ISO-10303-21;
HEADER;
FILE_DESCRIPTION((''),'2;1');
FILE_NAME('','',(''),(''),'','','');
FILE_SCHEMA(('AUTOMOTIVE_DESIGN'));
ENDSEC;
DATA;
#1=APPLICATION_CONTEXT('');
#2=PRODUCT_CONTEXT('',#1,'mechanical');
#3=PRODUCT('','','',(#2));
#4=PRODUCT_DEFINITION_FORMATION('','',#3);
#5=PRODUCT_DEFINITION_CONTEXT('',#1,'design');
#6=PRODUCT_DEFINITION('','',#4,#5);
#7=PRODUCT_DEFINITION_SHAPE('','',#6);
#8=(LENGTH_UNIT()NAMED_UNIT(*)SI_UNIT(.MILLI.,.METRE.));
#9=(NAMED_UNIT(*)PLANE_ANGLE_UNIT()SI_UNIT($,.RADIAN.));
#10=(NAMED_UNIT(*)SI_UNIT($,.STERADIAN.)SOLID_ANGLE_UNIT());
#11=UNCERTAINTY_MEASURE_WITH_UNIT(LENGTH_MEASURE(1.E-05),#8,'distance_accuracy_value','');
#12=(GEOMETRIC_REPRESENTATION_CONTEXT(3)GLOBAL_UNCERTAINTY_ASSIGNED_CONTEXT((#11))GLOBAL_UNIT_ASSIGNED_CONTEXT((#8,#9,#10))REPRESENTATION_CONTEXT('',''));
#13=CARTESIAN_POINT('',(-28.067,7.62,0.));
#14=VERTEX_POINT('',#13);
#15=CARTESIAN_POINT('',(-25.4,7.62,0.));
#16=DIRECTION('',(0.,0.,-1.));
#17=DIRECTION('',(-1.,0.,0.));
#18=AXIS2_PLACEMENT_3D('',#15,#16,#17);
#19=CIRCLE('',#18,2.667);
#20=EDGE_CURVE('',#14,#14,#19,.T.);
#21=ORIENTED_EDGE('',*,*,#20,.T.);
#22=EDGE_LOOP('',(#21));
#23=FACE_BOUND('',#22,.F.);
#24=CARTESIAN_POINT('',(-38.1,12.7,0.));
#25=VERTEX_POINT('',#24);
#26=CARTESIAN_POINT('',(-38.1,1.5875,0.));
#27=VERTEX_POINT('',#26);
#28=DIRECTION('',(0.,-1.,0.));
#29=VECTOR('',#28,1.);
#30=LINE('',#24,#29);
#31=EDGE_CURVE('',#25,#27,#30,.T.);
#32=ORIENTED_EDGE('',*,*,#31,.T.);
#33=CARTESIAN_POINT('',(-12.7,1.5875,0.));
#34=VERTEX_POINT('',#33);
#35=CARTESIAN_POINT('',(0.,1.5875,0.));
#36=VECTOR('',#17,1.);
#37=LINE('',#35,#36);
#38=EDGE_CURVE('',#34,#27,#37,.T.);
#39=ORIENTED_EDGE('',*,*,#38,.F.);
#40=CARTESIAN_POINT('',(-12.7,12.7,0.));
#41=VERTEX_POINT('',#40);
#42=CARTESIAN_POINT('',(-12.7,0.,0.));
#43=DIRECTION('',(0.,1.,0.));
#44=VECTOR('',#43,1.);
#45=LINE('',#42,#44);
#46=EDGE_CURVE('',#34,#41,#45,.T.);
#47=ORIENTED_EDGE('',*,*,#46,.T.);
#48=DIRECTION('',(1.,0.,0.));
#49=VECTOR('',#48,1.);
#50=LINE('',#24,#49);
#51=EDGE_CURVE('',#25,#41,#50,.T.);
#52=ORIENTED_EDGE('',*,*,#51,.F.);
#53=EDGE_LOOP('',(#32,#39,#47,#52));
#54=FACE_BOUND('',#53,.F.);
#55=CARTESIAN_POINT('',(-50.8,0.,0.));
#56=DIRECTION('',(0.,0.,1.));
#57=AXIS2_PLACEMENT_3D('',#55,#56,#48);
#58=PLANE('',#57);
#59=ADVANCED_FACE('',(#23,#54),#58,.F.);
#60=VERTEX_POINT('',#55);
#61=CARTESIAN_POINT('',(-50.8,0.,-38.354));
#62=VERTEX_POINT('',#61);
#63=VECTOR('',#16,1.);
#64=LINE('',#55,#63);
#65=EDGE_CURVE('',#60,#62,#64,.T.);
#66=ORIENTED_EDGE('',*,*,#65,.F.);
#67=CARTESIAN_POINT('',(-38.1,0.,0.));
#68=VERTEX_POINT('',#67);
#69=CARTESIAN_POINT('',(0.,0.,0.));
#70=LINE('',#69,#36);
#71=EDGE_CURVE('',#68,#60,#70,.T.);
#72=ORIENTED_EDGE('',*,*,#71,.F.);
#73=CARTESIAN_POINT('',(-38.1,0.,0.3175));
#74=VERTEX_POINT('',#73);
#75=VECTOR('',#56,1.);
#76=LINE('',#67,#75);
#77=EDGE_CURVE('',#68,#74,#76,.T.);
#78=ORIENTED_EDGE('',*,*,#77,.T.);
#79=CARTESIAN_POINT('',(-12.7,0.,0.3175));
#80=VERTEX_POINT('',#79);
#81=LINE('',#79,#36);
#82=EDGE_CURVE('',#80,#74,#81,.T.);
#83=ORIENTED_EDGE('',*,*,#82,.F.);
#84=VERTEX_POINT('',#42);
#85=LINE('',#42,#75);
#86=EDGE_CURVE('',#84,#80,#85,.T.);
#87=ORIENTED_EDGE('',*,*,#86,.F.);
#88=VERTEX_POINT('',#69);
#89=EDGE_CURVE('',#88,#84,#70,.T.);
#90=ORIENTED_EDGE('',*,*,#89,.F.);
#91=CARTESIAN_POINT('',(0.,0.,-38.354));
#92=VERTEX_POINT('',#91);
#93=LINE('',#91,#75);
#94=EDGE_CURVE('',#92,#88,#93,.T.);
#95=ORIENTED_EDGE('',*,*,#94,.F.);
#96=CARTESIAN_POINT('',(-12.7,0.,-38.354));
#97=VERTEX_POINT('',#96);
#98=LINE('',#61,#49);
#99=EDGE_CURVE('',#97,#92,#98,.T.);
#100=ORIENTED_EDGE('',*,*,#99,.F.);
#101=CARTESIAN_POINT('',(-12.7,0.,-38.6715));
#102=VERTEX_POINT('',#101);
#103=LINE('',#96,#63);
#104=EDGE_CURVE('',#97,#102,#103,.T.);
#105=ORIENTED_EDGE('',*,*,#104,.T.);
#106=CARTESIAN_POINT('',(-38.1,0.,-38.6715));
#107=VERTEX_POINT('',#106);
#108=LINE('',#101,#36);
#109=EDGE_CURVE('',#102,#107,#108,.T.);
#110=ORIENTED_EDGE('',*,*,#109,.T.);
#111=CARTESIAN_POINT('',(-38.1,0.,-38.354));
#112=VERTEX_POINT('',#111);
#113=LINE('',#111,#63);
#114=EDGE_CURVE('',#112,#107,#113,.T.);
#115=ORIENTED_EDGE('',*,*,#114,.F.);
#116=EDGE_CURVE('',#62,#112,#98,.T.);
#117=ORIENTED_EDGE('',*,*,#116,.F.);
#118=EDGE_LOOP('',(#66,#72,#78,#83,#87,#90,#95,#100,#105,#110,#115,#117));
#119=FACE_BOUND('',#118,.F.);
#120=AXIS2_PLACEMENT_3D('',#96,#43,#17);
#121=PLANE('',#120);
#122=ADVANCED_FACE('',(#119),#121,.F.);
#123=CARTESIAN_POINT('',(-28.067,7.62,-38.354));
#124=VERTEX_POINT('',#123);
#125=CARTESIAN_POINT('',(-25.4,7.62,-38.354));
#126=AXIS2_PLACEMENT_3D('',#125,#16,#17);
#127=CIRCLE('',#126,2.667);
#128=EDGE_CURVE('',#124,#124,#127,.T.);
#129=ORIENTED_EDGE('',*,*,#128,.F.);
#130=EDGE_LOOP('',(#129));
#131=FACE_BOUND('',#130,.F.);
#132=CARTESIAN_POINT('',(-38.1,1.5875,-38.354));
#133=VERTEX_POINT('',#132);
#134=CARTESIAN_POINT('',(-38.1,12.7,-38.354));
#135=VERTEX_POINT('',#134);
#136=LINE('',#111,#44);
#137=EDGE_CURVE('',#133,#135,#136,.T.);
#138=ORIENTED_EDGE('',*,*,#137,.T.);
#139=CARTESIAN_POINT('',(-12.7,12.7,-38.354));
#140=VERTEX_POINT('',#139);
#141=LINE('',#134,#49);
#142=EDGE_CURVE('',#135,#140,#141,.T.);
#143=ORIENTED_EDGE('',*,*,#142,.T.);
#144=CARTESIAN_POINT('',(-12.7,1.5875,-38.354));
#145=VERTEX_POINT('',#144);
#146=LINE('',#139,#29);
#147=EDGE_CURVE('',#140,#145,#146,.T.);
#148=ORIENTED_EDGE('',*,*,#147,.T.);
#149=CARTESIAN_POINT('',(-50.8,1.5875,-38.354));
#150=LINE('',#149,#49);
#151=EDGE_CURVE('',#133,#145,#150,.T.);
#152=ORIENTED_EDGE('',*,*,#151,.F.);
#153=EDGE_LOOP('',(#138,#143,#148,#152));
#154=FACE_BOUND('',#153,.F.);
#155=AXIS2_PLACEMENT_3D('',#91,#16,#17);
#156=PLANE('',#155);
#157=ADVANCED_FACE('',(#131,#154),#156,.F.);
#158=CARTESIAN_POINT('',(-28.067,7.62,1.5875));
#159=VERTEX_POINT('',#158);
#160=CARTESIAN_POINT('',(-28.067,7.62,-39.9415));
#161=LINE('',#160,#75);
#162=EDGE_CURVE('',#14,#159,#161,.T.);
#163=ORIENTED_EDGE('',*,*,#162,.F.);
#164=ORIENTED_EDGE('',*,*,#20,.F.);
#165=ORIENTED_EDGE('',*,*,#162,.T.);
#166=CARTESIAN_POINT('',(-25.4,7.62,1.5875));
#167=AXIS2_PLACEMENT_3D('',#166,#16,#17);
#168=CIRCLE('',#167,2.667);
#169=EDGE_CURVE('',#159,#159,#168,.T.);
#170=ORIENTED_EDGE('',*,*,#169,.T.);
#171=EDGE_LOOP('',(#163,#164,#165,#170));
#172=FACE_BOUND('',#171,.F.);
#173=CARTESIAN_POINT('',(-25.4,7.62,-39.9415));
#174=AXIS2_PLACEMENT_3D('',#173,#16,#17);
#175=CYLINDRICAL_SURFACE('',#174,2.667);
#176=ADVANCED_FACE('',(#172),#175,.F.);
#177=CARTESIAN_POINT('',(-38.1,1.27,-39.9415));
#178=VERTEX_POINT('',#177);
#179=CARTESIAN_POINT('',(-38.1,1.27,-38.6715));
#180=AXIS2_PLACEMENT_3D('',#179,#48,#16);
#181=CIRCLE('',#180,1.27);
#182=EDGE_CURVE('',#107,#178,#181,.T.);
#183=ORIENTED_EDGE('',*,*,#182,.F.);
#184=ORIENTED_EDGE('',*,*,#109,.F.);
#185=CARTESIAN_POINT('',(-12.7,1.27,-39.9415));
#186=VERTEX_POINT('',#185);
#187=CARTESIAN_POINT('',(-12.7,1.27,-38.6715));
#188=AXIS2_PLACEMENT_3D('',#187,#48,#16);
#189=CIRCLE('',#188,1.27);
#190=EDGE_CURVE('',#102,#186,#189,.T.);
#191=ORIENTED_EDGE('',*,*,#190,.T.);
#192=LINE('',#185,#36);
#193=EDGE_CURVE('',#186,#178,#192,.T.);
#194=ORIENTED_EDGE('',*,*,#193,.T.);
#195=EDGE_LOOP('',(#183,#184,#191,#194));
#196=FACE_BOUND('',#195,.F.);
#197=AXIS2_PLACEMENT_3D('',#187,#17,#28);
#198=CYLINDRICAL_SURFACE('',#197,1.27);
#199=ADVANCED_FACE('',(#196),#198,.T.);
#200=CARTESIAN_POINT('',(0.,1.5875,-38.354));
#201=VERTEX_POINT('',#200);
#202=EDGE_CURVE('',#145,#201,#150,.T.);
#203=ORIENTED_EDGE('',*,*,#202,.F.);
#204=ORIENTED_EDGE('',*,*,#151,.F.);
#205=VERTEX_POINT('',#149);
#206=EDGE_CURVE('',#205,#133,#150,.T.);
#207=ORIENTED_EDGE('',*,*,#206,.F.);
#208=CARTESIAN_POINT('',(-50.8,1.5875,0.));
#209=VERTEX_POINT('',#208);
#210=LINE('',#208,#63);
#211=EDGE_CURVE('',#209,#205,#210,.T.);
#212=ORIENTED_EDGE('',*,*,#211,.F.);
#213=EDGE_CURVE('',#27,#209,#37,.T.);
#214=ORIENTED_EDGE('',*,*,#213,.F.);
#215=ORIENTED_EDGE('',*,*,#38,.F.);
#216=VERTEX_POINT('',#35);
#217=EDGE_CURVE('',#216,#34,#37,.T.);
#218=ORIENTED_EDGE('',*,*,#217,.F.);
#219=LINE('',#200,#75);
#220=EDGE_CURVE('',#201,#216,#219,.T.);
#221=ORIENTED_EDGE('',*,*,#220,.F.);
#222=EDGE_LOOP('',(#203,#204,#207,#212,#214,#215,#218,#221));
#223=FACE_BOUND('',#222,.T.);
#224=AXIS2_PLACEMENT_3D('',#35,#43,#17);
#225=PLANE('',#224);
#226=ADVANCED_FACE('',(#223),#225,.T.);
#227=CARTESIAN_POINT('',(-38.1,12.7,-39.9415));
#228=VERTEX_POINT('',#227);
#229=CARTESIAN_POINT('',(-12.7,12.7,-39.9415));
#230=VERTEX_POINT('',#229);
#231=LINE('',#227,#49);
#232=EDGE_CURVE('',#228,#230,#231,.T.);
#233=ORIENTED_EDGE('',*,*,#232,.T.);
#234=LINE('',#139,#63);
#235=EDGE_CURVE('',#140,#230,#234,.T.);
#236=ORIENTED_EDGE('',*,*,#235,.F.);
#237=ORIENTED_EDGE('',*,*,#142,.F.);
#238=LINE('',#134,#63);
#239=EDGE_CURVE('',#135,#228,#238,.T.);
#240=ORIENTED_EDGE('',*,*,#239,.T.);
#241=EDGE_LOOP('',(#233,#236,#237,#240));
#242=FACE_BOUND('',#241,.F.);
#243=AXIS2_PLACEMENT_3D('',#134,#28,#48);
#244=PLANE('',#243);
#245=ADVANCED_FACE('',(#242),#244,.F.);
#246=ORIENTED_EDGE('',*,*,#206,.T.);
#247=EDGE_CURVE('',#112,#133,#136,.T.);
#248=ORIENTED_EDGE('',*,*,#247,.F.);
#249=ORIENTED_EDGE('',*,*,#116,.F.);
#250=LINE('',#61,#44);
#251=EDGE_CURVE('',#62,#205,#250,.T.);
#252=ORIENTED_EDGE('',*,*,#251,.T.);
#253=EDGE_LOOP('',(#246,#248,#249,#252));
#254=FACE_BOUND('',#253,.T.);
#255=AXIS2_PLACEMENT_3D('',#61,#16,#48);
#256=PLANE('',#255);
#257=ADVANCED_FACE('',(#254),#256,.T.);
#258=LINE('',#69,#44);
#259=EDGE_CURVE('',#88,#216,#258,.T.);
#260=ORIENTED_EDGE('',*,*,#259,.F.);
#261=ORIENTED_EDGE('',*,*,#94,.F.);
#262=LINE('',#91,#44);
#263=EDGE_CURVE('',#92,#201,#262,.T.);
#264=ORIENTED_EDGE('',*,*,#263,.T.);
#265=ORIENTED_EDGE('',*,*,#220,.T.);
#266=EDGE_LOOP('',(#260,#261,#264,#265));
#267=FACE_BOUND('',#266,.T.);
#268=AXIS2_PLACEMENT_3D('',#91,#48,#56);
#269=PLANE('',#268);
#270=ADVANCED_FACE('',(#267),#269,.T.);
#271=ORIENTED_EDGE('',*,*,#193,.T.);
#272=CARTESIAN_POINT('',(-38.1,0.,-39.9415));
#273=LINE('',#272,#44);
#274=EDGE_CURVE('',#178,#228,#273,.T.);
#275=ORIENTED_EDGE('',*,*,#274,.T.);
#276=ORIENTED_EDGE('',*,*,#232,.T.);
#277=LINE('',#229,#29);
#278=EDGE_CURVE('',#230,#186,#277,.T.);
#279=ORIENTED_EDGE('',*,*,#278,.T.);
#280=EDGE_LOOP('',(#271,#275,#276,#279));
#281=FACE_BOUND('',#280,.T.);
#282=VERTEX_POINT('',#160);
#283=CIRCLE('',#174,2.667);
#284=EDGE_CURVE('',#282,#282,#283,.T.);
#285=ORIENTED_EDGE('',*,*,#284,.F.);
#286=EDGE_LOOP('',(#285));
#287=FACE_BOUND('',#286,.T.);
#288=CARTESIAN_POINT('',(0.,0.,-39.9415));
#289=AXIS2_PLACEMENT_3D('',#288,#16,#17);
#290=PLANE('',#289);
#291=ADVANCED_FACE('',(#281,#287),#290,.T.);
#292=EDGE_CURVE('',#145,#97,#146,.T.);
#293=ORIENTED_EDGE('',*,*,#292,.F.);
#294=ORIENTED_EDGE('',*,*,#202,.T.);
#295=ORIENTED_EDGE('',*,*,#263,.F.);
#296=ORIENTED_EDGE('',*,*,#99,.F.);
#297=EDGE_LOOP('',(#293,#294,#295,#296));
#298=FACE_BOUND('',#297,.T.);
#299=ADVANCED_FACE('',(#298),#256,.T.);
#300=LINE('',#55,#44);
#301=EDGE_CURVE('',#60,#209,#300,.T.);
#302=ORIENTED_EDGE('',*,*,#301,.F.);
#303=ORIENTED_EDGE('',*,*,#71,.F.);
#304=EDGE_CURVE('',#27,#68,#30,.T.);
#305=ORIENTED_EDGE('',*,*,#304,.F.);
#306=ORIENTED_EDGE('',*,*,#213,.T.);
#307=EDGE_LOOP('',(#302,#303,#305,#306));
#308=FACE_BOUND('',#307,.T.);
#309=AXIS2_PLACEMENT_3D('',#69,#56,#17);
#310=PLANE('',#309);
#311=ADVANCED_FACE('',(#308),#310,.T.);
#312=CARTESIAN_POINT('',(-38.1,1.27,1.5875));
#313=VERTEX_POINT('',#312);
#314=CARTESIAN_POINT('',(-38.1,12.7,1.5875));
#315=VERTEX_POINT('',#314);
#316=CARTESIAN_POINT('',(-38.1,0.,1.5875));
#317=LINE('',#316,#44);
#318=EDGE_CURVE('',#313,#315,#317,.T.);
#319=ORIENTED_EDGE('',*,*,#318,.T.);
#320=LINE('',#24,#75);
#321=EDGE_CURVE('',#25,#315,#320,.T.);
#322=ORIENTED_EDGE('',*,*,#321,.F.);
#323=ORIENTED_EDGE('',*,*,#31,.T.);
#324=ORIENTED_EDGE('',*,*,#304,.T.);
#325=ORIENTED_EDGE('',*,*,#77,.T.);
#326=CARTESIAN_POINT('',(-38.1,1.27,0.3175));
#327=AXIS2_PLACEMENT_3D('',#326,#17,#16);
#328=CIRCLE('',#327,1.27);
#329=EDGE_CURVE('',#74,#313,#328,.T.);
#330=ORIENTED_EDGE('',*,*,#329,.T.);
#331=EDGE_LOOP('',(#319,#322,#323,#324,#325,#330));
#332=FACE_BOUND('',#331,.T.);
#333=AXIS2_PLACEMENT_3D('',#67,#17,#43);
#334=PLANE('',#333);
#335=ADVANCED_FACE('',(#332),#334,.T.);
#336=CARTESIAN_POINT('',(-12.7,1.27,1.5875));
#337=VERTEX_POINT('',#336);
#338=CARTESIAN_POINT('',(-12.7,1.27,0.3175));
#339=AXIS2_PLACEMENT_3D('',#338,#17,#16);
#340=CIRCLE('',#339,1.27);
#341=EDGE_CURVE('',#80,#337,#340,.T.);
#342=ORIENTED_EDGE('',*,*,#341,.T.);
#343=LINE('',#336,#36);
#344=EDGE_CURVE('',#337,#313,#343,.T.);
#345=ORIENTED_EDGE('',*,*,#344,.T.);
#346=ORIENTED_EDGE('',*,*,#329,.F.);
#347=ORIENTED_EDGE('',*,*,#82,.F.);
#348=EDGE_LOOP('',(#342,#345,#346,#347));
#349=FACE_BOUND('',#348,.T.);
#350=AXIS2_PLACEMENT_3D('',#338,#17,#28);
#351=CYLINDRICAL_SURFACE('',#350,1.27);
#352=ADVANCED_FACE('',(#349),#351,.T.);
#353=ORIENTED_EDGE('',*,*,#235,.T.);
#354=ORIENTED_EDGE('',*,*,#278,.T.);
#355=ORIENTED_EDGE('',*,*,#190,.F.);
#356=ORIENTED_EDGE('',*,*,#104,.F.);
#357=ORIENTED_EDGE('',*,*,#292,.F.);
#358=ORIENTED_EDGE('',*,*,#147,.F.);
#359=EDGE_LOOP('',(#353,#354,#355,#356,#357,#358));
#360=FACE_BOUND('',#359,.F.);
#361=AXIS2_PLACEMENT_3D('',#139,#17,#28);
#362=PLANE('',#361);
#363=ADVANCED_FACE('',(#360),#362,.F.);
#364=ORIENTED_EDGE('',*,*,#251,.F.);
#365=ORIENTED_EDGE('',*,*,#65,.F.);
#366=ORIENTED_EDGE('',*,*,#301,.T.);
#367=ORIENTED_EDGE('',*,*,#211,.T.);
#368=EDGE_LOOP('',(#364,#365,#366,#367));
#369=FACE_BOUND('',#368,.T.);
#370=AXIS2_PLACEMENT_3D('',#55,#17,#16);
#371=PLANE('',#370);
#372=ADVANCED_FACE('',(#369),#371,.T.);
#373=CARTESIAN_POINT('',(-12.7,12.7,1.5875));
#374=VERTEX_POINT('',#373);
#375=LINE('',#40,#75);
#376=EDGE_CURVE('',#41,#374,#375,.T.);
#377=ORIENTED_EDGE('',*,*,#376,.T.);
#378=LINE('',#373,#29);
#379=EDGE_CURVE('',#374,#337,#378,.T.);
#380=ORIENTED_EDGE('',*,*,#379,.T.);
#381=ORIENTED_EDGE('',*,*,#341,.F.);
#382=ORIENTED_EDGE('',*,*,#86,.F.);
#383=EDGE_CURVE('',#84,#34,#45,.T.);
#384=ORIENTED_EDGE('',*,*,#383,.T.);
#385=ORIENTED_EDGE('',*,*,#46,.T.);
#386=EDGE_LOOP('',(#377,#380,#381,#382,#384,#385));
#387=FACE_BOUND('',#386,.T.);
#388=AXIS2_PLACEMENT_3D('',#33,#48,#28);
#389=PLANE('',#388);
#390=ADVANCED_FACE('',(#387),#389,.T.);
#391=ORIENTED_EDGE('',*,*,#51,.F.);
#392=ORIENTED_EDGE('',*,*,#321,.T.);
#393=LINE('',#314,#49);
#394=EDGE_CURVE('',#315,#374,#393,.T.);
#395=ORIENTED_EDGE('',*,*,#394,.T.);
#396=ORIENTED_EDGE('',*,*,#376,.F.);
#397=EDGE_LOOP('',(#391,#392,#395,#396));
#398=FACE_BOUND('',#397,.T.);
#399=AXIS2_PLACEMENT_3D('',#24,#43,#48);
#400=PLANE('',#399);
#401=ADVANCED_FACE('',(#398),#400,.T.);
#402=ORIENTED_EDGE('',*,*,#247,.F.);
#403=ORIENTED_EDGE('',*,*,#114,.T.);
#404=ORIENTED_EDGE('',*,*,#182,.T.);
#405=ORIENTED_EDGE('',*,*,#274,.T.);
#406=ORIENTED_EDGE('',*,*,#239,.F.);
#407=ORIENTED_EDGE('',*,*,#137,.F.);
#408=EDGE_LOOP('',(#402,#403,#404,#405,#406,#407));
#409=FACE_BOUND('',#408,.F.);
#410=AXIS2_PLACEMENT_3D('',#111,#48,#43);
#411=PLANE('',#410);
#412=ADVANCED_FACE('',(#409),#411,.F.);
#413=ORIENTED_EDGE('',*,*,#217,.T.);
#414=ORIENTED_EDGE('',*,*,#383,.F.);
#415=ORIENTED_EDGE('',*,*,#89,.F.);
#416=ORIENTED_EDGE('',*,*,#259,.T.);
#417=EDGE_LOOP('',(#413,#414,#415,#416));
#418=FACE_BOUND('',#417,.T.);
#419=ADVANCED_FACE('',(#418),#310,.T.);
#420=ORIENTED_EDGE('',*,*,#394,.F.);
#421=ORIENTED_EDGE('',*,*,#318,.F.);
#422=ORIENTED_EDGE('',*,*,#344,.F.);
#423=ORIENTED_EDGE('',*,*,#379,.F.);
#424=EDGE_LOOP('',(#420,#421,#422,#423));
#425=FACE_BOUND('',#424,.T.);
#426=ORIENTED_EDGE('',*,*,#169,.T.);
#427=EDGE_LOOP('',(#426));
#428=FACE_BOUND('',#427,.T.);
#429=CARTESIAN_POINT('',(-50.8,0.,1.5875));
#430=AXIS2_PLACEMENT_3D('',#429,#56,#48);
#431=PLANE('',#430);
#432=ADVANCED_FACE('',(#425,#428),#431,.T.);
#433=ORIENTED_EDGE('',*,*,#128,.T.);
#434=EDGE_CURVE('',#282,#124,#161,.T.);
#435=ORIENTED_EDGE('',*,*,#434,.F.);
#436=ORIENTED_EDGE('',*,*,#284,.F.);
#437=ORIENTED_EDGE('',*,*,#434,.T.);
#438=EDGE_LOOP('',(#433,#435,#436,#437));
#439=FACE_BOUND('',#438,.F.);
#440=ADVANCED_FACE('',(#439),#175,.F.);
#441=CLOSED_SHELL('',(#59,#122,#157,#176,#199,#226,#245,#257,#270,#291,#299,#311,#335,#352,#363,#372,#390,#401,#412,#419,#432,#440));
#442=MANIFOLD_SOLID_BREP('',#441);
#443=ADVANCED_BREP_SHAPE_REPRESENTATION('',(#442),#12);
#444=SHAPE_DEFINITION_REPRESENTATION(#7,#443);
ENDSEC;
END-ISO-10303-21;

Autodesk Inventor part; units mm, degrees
ref_plane "YZ Plane" through (0, 0, 0) normal (1, 0, 0) x (0, 1, 0)
ref_plane "XZ Plane" through (0, 0, 0) normal (0, 1, 0) x (-1, 0, 0)
ref_plane "XY Plane" through (0, 0, 0) normal (0, 0, 1) x (1, 0, 0)
sketch "Sketch1" plane through (0, 0, 0) normal (0, 1, 0) x (-1, 0, 0)
  line L0 (0, 0) -> (50.8, 0)
  line L1 (50.8, 0) -> (50.8, -38.354)
  line L2 (50.8, -38.354) -> (0, -38.354)
  line L3 (0, -38.354) -> (0, 0)
  dimension "d0" = 50.8
  dimension "d1" = 38.354
extrude "Extrusion1" add sketch "Sketch1" along normal blind 1.5875
sketch "Sketch2" plane through (-50.8, 0, 0) normal (0, 0, 1) x (1, 0, 0)
  line L0 (50.8, 0) -> (0, 0) projected
  line L1 (50.8, 0) -> (38.1, 0)
  line L2 (38.1, 0) -> (12.7, 0)
  line L3 (12.7, 0) -> (12.7, 12.7)
  line L4 (12.7, 12.7) -> (38.1, 12.7)
  line L5 (38.1, 12.7) -> (38.1, 0)
  line L6 (50.8, 1.5875) -> (0, 1.5875) projected
  dimension "d4" = 12.7
  dimension "d5" = 25.4
  dimension "d6" = 12.7
extrude "Extrusion2" add sketch "Sketch2" along normal blind 1.5875
sketch "Sketch3" plane through (0, 0, -38.354) normal (0, 0, -1) x (-1, 0, 0)
  line L0 (0, 0) -> (0, 1.5875) projected
  line L1 (12.7, 0) -> (0, 0) projected
  line L2 (0, 0) -> (12.7, 0)
  line L3 (12.7, 0) -> (38.1, 0)
  line L4 (38.1, 0) -> (38.1, 12.7)
  line L5 (38.1, 12.7) -> (12.7, 12.7)
  line L6 (12.7, 12.7) -> (12.7, 0)
  dimension "d9" = 12.7
  dimension "d10" = 25.4
  dimension "d11" = 12.7
  dimension "d12" = 25.4
extrude "Extrusion3" add sketch "Sketch3" along normal blind 1.5875
sketch "Sketch4" plane through (0, 0, -39.9415) normal (0, 0, -1) x (-1, 0, 0)
  circle A0 centre (25.4, 7.62) radius 2.667
  line L0 (38.1, 0) -> (38.1, 12.7) projected
  line L1 (38.1, 12.7) -> (12.7, 12.7) projected
  point P0 (0, 0)
  dimension "d15" = 12.7
  dimension "d16" = 5.08
  dimension "d17" = 5.334
extrude "Extrusion4" cut sketch "Sketch4" against normal blind 50.8
fillet "Fillet1" radius 1.27 2 edges at (-25.4, 0, -39.9415) (-25.4, 0, 1.5875)
properties part number "L1 Gearbox Cover Top"
